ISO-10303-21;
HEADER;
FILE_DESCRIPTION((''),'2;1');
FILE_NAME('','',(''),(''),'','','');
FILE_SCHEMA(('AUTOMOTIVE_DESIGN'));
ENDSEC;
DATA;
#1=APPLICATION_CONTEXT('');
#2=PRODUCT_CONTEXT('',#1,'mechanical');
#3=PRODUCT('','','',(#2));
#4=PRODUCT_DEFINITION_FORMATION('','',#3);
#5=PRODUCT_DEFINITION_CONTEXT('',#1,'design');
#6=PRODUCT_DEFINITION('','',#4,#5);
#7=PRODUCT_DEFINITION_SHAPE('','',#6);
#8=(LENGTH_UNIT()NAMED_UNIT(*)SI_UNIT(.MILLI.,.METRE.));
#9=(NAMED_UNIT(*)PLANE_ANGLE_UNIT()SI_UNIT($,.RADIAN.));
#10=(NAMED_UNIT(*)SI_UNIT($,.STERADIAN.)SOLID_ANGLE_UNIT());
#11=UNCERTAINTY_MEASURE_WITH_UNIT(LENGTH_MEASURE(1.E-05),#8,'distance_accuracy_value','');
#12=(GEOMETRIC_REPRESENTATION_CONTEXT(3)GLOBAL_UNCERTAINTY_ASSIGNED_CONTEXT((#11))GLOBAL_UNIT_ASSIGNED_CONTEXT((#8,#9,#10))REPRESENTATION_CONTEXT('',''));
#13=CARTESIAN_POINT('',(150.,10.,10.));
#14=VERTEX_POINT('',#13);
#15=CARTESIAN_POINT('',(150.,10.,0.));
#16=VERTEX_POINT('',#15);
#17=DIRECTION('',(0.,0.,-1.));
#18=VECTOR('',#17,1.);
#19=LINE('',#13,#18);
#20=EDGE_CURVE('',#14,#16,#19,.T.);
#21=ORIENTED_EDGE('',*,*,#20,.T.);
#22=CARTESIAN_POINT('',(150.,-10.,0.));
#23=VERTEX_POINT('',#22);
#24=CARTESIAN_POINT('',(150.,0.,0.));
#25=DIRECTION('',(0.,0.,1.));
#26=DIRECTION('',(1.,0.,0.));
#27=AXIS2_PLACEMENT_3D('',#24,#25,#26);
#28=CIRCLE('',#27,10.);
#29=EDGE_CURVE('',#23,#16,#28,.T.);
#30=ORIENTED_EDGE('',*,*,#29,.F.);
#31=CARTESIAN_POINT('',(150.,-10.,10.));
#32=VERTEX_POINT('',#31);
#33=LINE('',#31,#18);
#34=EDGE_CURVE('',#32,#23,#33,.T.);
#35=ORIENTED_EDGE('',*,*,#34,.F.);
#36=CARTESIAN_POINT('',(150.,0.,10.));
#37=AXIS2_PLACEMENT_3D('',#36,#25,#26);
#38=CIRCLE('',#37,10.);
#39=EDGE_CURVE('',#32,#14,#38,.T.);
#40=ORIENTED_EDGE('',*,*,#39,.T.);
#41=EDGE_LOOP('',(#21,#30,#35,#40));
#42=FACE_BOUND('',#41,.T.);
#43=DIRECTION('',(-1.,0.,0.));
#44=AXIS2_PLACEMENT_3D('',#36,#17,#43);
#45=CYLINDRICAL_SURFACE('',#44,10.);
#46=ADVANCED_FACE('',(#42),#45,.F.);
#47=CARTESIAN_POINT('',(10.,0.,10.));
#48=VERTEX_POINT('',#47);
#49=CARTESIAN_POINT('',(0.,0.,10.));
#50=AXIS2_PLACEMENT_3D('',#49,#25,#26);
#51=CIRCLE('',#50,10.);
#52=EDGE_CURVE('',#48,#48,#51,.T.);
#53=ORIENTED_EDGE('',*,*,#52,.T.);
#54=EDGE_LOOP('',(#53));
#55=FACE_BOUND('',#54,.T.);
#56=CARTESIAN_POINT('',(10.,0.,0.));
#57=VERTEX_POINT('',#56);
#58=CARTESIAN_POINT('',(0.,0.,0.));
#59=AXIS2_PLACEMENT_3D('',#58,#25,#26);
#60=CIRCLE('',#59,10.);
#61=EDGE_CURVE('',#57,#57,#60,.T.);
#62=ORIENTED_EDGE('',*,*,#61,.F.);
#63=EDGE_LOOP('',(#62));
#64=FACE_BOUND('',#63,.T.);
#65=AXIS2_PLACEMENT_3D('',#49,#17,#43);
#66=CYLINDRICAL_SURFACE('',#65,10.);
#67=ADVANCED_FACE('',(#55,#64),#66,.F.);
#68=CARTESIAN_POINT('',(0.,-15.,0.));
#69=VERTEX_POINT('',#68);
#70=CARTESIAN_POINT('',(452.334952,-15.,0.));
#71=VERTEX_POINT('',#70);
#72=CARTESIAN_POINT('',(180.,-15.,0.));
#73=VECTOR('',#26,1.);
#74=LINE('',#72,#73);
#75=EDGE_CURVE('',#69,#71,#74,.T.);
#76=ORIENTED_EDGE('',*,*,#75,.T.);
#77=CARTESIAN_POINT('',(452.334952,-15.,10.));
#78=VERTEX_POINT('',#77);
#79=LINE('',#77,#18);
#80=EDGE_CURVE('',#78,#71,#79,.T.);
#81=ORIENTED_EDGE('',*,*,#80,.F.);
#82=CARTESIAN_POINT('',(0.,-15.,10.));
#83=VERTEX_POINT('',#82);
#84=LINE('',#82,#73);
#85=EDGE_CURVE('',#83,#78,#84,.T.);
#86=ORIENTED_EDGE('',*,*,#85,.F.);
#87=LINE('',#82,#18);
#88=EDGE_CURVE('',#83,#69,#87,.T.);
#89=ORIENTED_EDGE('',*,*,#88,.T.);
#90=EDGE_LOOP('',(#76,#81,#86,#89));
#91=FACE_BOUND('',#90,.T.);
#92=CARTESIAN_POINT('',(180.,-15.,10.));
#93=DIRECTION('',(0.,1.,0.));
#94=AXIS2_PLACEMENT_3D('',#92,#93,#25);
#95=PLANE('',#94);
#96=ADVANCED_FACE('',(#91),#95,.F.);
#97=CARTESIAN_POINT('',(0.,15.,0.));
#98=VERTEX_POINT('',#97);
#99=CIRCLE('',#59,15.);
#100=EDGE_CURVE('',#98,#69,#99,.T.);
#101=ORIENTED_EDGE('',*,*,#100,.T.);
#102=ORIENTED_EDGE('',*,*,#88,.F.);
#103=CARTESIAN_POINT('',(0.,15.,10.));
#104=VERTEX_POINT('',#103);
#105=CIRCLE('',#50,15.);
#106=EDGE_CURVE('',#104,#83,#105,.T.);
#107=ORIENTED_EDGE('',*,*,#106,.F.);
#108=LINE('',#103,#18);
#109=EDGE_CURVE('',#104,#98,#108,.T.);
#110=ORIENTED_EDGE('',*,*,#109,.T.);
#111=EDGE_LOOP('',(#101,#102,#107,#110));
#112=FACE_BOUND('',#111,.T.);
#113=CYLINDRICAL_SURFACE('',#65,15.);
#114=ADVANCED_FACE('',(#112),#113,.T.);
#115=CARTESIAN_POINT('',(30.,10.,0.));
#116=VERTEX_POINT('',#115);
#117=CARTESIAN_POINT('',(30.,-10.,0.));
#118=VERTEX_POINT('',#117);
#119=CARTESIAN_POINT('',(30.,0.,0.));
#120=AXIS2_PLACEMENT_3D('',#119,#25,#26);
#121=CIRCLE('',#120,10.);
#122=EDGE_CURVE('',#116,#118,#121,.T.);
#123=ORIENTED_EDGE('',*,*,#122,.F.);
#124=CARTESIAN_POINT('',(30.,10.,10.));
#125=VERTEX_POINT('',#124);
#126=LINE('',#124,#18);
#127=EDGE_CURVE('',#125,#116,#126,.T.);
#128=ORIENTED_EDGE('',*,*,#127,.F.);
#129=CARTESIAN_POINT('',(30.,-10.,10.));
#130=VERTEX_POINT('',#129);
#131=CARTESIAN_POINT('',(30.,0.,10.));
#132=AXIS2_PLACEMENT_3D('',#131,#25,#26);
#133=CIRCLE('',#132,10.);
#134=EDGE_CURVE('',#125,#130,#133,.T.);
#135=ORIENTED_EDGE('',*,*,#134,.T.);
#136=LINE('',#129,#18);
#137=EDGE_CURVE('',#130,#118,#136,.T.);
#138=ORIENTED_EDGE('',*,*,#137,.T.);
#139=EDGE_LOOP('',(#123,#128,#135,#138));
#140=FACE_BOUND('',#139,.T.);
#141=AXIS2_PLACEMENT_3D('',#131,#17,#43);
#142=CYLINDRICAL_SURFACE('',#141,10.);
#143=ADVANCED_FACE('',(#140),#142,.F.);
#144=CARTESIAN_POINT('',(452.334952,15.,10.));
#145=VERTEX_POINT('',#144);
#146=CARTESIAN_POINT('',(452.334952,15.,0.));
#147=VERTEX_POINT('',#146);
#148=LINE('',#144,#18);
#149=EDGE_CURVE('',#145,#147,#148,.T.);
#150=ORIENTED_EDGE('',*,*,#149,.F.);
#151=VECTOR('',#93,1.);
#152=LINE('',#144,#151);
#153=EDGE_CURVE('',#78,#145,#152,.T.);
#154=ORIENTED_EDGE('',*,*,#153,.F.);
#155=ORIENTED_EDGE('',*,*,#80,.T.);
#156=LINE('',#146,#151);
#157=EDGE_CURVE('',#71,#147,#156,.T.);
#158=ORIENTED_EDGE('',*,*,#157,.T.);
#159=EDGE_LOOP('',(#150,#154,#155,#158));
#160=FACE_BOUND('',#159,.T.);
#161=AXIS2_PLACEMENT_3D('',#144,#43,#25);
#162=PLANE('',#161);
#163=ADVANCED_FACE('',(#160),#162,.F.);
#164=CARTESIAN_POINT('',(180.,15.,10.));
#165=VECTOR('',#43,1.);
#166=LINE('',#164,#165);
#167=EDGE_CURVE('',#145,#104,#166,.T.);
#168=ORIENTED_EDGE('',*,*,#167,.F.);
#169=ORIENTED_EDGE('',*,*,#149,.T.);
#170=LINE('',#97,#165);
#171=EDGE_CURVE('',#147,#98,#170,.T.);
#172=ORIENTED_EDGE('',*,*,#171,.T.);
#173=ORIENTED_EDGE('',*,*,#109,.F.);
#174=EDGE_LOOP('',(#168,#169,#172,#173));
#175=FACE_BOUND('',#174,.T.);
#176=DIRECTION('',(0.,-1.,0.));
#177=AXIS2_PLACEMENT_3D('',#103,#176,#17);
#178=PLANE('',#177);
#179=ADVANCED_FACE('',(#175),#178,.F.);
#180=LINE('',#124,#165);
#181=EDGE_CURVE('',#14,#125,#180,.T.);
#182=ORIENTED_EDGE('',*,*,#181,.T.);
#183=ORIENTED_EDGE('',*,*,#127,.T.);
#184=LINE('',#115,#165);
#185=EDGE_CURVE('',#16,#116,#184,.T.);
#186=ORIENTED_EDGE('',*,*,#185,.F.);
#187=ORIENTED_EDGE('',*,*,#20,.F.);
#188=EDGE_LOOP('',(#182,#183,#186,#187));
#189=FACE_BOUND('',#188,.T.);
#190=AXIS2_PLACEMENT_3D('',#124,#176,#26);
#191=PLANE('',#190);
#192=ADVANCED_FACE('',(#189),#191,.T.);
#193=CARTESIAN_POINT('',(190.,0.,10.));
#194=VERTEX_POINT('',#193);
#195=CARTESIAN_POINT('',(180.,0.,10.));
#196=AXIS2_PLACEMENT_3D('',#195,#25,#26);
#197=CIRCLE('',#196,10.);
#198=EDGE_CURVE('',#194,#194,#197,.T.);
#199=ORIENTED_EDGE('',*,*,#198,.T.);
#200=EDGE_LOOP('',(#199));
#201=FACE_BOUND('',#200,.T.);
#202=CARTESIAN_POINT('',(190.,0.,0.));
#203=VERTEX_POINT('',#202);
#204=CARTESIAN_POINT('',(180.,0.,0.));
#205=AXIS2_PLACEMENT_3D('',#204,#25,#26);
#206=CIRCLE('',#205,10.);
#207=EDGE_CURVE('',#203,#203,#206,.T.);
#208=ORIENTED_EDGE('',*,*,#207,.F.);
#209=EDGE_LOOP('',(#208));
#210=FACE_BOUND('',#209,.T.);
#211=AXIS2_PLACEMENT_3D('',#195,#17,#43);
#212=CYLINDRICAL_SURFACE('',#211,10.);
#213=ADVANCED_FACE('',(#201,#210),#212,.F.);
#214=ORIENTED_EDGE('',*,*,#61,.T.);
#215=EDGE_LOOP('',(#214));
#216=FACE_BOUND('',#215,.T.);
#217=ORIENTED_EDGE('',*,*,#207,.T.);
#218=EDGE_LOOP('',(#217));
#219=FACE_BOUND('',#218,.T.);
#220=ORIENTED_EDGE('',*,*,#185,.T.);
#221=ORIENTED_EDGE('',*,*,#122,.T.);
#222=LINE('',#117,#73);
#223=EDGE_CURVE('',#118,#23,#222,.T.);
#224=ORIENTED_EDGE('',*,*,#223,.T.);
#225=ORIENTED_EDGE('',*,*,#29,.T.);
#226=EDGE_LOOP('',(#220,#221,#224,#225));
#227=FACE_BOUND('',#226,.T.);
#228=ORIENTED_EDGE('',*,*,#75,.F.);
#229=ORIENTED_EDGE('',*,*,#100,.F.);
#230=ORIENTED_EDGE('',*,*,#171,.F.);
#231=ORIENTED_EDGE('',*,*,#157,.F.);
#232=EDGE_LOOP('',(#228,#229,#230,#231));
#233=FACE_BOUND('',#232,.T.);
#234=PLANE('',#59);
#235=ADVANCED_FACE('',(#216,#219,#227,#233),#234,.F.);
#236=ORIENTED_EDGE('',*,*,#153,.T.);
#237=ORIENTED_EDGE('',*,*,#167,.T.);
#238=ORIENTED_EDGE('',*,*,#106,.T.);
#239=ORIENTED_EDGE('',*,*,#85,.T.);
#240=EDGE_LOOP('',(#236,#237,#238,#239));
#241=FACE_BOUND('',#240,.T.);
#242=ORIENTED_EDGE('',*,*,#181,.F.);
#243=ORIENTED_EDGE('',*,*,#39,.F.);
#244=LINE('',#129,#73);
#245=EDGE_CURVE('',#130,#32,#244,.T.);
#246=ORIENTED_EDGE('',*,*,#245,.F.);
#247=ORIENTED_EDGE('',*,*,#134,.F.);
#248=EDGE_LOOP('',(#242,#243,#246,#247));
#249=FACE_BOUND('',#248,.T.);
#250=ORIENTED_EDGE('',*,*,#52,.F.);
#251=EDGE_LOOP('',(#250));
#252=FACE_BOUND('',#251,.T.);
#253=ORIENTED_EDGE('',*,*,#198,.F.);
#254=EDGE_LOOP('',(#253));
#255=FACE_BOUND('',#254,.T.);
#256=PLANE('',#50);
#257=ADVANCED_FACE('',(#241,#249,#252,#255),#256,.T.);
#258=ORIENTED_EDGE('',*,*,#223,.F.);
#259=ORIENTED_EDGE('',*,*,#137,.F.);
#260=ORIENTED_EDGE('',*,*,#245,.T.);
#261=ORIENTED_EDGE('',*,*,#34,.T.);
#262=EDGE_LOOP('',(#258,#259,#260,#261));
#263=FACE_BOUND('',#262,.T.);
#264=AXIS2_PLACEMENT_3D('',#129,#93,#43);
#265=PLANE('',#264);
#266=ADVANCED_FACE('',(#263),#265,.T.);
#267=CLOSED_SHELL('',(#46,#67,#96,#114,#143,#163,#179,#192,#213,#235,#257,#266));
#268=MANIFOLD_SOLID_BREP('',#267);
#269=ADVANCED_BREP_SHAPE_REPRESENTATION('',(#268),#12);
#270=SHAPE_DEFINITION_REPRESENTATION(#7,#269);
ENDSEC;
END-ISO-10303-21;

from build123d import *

# Parameters (mm, degrees)
SKETCH1_R           = 10
BOSS_EXTRUDE1_DEPTH = 10


with BuildPart() as part:
    # Sketch1 → Boss-Extrude1 (new body)
    with BuildSketch(Plane.XY):
        with BuildLine():
            Line((0, 15), (180, 15))
            Line((180, 15), (452.334951872, 15))
            Line((452.334951872, 15), (452.334951872, -15))
            Line((452.334951872, -15), (180, -15))
            Line((180, -15), (0, -15))
            ThreePointArc((0, -15), (-15, 0), (0, 15))
        make_face()
        Circle(SKETCH1_R, mode=Mode.SUBTRACT)
        with Locations((180, 0)):
            Circle(SKETCH1_R, mode=Mode.SUBTRACT)
        with BuildLine():
            Line((30, 10), (150, 10))
            ThreePointArc((150, 10), (160, 0), (150, -10))
            Line((150, -10), (30, -10))
            ThreePointArc((30, -10), (20, 0), (30, 10))
        make_face(mode=Mode.SUBTRACT)
    extrude(amount=BOSS_EXTRUDE1_DEPTH)


solid = part.part
